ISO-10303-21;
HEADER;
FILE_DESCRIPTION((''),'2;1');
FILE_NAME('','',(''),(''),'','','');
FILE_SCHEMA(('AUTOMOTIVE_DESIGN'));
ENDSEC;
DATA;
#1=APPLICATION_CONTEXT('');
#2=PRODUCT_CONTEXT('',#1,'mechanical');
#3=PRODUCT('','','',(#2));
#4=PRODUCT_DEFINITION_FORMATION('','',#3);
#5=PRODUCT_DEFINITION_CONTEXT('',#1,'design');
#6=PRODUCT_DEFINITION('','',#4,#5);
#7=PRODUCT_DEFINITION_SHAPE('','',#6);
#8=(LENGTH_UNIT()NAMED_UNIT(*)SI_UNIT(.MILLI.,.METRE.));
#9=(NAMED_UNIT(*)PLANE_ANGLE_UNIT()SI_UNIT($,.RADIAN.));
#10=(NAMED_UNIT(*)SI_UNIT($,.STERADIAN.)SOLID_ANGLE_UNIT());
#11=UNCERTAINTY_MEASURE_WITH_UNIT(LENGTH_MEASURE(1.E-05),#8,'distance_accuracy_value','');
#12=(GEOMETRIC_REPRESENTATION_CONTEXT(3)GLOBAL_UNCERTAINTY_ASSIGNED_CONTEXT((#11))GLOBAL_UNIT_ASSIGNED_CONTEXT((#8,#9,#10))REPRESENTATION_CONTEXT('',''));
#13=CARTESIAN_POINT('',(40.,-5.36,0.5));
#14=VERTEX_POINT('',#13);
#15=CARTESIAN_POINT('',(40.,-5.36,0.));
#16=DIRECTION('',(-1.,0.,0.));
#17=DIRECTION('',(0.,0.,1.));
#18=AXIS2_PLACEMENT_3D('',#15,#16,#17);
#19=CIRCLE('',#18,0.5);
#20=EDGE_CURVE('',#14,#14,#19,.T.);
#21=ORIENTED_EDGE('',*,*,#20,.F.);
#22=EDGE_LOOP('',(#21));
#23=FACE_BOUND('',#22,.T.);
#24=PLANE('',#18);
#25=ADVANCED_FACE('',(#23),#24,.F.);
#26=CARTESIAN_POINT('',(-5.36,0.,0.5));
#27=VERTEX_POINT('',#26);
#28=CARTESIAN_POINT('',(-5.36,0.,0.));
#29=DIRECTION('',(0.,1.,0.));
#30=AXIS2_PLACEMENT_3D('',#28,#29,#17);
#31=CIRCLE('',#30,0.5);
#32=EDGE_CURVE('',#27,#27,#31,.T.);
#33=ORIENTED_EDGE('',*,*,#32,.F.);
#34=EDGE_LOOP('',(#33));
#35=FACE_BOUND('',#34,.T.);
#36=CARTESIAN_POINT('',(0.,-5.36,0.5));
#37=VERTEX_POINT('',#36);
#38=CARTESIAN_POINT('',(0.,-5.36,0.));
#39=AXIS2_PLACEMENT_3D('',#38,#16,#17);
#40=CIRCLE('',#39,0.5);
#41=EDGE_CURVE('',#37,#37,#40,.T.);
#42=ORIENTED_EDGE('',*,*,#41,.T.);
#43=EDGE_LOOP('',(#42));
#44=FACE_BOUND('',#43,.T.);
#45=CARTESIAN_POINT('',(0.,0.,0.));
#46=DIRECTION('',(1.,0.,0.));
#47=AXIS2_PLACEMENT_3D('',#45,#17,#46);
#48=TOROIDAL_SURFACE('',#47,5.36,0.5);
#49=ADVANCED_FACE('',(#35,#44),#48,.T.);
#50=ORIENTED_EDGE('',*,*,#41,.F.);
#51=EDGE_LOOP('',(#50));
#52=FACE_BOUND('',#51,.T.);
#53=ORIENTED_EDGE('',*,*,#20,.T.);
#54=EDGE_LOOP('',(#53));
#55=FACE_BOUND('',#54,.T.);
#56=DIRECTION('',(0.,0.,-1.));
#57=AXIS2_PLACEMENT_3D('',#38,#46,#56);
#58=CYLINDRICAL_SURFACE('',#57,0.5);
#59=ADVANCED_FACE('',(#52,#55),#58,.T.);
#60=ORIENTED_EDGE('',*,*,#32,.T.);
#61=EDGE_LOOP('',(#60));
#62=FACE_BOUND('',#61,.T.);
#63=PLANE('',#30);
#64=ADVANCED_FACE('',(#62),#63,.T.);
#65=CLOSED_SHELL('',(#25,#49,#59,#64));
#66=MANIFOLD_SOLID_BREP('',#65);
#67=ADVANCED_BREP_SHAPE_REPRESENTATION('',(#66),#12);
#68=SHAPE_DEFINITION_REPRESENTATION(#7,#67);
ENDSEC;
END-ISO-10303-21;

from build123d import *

# Parameters (mm, degrees)
SKETCH6_R = 0.5


with BuildPart() as part:
    # Sweep1: sweep along a path in Sketch1
    with BuildLine(Plane.XY) as sweep1_path:
        Line((40, -5.36), (0, -5.36))
        ThreePointArc((0, -5.36), (-3.790092347, -3.790092347), (-5.36, 0))
    # Sketch6 → Sweep1 (sweep)
    with BuildSketch(Plane(origin=(0, 0, 0), x_dir=(1, 0, 0), z_dir=(0, 1, 0))):
        with Locations((-5.36, 0)):
            Circle(SKETCH6_R)
    sweep(path=sweep1_path.line)


solid = part.part
